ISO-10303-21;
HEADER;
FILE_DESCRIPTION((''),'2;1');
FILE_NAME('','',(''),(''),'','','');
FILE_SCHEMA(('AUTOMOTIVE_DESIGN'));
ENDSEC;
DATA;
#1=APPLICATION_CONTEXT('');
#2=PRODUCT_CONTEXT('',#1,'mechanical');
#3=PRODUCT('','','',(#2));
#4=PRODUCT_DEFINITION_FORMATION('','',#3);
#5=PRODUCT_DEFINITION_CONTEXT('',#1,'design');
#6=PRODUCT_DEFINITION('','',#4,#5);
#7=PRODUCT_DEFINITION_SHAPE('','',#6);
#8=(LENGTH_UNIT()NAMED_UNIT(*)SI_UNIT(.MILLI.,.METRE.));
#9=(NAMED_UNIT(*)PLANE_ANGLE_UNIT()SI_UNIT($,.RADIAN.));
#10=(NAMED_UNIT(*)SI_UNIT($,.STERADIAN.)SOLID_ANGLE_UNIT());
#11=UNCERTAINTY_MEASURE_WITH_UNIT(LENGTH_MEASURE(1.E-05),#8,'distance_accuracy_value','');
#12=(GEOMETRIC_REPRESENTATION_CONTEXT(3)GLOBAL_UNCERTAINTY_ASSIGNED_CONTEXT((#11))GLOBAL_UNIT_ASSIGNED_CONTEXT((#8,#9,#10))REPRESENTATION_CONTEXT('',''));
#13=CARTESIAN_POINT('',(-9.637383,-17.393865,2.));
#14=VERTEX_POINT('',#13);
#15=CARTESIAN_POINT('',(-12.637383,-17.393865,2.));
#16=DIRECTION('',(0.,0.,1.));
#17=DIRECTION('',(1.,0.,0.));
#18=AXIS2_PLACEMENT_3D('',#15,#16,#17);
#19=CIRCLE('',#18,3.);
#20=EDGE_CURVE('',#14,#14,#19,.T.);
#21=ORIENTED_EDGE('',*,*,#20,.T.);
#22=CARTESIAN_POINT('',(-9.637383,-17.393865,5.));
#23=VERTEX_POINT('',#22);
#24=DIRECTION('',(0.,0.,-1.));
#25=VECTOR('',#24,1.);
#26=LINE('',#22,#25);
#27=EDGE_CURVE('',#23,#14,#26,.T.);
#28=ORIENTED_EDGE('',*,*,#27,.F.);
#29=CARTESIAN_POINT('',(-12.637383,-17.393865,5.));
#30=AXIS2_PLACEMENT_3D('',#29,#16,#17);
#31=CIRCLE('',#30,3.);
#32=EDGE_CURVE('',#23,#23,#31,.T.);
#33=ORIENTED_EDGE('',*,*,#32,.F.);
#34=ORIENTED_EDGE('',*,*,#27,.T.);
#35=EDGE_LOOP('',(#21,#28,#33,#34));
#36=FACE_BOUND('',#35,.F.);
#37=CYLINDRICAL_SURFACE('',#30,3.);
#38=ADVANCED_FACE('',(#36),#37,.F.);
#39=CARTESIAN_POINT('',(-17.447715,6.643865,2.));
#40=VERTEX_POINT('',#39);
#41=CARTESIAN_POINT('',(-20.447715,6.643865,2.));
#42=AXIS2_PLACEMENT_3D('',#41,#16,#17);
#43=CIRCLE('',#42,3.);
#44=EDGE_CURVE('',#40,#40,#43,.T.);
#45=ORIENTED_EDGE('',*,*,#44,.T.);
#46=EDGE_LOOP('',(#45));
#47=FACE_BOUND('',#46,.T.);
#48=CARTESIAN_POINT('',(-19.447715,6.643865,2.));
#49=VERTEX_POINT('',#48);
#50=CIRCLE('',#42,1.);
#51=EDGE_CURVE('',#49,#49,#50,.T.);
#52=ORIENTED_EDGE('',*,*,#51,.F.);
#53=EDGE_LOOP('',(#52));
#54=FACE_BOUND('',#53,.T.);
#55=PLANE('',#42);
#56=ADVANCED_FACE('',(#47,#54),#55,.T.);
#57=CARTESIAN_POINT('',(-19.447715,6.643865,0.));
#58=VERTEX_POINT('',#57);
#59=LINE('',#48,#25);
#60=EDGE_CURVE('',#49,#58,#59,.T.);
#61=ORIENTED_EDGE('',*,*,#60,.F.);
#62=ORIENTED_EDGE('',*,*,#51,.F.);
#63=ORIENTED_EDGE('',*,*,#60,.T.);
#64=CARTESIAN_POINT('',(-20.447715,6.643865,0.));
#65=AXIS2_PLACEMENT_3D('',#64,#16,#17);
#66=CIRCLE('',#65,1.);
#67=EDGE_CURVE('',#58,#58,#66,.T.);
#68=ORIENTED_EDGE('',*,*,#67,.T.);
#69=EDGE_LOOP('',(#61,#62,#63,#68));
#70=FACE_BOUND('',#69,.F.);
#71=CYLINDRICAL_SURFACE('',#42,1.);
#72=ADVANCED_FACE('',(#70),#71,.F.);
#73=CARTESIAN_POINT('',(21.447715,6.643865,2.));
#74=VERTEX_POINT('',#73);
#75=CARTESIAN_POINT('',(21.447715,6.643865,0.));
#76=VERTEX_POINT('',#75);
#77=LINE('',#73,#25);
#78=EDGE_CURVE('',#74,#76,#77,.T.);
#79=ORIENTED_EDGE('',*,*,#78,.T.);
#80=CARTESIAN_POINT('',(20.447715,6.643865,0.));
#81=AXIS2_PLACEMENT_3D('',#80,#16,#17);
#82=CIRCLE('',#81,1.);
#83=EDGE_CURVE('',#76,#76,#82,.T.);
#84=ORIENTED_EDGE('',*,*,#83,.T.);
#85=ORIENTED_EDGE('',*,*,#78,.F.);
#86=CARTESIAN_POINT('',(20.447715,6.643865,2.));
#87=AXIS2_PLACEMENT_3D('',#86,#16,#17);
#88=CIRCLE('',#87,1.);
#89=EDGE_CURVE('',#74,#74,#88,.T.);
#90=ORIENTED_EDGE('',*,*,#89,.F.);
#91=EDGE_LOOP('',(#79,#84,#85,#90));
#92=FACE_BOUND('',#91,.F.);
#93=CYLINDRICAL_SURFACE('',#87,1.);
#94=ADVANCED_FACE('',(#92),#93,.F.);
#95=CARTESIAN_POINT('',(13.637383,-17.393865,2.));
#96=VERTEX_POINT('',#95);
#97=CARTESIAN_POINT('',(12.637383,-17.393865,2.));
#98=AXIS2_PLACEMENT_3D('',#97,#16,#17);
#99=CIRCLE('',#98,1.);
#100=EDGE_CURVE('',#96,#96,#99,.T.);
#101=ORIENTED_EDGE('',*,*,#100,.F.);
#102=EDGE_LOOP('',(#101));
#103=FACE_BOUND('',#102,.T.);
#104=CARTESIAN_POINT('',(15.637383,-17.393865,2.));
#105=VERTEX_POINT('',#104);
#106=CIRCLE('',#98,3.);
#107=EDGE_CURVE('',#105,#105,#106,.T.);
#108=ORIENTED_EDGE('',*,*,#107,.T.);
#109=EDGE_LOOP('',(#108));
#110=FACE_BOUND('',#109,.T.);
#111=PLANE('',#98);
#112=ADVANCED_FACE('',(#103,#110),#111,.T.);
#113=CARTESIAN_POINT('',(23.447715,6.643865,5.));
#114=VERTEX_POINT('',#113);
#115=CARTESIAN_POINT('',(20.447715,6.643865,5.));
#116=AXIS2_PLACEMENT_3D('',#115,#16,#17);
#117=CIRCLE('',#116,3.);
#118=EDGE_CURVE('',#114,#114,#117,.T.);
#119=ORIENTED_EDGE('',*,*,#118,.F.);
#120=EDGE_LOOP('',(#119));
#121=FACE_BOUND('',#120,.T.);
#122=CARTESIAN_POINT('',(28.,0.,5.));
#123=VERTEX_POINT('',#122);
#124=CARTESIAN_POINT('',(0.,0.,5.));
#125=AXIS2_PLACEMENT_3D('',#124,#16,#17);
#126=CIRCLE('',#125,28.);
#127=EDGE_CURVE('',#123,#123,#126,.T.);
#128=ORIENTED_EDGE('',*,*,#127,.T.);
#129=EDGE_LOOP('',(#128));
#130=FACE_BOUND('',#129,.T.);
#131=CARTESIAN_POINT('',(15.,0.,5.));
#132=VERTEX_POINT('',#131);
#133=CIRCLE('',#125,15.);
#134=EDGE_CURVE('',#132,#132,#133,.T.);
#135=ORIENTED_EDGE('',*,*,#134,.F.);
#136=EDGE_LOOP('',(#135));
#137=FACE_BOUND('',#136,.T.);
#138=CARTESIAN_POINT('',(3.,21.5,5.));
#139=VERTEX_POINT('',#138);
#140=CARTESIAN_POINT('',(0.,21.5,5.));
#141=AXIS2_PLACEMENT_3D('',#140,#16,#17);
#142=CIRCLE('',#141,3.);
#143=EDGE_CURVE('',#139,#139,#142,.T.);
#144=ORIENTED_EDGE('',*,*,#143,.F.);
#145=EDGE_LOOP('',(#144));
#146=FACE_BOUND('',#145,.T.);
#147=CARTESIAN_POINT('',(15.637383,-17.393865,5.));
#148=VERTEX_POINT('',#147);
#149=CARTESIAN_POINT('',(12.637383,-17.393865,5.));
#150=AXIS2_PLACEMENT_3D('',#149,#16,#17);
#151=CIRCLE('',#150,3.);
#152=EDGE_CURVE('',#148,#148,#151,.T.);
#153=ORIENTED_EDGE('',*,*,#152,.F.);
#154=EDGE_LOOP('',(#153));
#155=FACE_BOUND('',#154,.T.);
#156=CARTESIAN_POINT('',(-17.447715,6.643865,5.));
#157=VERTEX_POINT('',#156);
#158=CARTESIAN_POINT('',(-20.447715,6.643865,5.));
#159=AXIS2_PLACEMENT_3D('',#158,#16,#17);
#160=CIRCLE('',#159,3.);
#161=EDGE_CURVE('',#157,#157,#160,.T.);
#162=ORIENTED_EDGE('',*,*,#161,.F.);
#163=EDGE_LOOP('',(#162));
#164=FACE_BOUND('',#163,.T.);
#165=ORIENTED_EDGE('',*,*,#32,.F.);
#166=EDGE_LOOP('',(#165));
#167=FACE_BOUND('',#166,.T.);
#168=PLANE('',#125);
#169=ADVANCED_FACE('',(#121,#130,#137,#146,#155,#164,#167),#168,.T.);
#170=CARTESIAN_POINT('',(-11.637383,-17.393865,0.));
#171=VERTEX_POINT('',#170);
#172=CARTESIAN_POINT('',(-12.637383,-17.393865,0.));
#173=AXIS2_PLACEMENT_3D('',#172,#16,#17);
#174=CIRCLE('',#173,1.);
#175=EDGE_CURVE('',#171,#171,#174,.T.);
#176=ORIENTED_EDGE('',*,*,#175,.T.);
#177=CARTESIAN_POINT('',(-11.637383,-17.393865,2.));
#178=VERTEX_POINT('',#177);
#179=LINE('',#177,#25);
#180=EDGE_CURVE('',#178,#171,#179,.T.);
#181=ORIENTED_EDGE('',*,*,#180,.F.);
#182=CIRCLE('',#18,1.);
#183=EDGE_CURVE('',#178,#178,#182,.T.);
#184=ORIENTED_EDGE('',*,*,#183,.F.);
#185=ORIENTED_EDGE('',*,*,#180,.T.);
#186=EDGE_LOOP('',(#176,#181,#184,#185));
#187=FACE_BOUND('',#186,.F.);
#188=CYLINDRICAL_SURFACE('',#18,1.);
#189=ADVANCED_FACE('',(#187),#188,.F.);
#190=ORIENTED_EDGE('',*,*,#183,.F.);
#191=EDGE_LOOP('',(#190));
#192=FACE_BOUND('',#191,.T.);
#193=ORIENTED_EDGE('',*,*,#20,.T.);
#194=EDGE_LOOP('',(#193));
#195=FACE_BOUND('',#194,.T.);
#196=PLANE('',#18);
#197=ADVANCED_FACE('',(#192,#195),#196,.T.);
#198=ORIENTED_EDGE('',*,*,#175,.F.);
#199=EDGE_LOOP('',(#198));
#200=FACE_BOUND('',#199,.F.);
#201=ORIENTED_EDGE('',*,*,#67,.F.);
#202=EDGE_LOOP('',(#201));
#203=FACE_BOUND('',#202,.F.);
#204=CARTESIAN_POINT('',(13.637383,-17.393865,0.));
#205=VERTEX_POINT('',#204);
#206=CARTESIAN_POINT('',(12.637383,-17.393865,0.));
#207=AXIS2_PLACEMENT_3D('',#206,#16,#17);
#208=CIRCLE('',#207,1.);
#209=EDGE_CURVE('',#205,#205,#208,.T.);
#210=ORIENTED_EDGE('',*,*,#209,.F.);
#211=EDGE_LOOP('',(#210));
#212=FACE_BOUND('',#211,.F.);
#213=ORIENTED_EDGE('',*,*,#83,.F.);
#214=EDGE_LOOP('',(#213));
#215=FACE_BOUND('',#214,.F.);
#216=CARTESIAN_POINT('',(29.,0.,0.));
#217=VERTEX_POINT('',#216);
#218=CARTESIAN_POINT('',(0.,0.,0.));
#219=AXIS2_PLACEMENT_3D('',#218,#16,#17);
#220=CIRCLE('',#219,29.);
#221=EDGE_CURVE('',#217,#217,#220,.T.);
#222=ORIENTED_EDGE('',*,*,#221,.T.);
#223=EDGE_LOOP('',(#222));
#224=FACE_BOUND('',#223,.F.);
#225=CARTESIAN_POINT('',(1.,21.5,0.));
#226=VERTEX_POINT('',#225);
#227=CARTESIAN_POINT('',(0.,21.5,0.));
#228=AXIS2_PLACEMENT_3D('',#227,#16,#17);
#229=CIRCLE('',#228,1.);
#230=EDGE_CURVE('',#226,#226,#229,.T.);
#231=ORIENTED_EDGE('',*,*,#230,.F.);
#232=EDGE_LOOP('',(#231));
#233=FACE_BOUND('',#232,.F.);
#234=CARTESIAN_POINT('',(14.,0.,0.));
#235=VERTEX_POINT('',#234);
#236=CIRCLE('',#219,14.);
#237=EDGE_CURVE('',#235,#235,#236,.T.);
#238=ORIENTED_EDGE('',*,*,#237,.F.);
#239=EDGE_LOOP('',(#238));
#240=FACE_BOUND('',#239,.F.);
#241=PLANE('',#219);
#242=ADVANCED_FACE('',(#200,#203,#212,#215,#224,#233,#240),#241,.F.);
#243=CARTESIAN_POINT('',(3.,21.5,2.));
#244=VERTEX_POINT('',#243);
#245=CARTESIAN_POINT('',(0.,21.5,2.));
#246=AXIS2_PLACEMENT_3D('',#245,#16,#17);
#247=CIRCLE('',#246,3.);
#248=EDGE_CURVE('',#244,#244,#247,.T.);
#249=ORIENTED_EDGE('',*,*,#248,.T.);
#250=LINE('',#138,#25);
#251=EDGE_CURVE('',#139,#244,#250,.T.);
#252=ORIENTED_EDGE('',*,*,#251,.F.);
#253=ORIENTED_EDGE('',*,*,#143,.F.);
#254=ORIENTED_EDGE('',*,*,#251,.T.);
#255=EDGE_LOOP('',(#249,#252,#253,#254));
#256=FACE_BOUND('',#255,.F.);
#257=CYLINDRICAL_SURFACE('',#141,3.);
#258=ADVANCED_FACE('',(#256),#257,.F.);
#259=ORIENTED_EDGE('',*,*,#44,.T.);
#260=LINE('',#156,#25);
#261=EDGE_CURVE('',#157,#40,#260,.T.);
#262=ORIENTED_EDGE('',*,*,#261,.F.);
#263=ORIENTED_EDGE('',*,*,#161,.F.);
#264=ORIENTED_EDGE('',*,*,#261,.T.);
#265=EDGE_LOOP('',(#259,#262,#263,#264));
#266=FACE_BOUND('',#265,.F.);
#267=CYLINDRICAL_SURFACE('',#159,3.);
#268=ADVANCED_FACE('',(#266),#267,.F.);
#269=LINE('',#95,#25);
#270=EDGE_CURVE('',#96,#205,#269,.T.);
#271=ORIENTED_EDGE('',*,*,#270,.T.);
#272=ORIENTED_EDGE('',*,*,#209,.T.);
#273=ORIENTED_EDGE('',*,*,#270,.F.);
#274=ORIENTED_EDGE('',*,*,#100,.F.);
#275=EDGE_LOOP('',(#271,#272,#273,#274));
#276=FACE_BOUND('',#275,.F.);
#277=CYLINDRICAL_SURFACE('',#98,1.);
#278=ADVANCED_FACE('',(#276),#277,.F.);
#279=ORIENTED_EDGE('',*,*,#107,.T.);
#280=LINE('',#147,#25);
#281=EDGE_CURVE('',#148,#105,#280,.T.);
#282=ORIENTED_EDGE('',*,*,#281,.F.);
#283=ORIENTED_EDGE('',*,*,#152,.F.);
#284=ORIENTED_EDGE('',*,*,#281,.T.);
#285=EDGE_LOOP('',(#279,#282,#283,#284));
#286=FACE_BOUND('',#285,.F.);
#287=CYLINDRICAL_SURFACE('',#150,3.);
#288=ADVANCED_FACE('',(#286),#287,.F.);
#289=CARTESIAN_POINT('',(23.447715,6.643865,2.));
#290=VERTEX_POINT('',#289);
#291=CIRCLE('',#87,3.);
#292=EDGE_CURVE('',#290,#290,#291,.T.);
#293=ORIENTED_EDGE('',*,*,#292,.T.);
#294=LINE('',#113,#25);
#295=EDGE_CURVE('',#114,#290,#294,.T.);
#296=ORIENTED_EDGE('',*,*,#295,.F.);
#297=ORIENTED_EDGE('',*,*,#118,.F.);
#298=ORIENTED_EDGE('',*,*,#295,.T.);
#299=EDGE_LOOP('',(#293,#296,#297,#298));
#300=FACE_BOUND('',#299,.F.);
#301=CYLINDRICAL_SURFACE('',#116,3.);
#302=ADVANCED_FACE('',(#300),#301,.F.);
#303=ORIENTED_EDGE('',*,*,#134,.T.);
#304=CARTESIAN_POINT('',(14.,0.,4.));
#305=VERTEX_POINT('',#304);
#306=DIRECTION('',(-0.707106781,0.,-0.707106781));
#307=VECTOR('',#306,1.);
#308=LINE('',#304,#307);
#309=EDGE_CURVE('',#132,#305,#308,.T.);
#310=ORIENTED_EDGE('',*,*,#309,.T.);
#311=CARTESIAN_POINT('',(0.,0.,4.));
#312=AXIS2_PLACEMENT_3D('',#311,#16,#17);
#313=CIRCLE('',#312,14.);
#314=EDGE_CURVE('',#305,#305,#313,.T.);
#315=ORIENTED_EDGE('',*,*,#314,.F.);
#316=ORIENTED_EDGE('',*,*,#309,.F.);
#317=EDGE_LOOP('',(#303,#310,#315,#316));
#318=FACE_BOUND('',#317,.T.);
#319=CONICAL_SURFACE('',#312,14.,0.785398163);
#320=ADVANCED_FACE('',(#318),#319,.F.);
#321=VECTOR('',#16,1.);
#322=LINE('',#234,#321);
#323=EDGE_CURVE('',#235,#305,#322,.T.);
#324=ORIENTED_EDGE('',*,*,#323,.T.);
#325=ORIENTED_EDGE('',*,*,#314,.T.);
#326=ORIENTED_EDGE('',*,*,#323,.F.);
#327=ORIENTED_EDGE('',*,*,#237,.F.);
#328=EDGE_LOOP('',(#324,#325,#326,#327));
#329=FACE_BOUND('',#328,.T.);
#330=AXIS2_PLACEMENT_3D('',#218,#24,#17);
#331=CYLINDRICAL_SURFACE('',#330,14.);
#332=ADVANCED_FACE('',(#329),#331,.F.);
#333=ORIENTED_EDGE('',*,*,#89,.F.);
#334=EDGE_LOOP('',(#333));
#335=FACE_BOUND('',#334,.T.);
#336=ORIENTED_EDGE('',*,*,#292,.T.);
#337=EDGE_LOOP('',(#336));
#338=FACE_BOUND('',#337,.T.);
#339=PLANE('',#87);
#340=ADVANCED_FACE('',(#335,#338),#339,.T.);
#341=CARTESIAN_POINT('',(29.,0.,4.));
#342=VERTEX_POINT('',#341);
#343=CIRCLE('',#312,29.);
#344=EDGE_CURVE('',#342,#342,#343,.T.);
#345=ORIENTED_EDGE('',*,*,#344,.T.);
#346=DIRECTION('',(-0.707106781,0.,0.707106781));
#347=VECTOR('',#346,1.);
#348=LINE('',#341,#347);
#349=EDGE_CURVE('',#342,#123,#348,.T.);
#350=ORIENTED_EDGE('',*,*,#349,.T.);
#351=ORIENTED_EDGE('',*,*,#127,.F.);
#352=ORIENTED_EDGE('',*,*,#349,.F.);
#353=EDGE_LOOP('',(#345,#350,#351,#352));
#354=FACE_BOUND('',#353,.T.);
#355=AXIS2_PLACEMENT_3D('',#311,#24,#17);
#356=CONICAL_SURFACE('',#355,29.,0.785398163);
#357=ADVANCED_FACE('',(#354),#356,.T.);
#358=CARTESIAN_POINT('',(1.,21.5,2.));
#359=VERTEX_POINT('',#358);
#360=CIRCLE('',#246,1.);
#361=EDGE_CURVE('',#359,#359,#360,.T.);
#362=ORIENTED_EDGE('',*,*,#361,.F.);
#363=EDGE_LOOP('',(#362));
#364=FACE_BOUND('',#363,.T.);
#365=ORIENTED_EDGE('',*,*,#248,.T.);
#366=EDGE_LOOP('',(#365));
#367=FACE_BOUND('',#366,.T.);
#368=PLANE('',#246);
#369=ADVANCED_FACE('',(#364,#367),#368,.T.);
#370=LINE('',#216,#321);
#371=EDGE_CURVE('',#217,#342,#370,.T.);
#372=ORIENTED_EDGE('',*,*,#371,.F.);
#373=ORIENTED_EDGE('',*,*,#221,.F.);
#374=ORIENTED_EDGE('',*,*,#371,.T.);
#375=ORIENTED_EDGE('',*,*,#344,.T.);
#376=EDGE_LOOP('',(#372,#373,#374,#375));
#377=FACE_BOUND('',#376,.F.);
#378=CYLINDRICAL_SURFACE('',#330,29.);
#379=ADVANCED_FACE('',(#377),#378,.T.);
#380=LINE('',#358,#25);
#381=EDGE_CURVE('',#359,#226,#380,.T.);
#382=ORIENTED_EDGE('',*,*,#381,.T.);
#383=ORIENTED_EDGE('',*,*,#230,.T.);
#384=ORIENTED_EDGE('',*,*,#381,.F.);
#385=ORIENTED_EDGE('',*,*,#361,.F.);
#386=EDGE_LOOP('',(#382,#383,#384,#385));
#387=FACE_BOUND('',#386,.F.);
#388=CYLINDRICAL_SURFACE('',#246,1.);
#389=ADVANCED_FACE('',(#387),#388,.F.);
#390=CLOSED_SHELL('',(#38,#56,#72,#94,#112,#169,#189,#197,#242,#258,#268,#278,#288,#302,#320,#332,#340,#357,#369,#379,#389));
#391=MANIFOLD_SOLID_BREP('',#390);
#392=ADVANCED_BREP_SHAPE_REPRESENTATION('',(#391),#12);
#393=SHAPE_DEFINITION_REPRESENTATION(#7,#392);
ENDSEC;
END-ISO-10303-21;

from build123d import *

# Parameters (mm, degrees)
F0_R     = 29
F0_R_2   = 14
F1_DEPTH = 5
F2_R     = 3
F3_DEPTH = 3
F4_R     = 1
F5_DEPTH = 3
F6_SIZE  = 1


with BuildPart() as f1:
    # F0 (on Top) → F1 (new body)
    with BuildSketch(Plane.XY):
        Circle(F0_R)
        Circle(F0_R_2, mode=Mode.SUBTRACT)
    extrude(amount=F1_DEPTH)

    # F2 (on face) → F3 (cut)
    with BuildSketch(Plane.XY.offset(5)):
        with Locations((0, 21.5)):
            Circle(F2_R)
        with Locations((-20.447715, 6.643865)):
            Circle(F2_R)
        with Locations((-12.637383, -17.393865)):
            Circle(F2_R)
        with Locations((12.637383, -17.393865)):
            Circle(F2_R)
        with Locations((20.447715, 6.643865)):
            Circle(F2_R)
    extrude(amount=-F3_DEPTH, mode=Mode.SUBTRACT)

    # F4 (on face) → F5 (cut)
    with BuildSketch(Plane.XY.offset(2)):
        with Locations((0, 21.5)):
            Circle(F4_R)
        with Locations((-20.447715, 6.643865)):
            Circle(F4_R)
        with Locations((-12.637383, -17.393865)):
            Circle(F4_R)
        with Locations((12.637383, -17.393865)):
            Circle(F4_R)
        with Locations((20.447715, 6.643865)):
            Circle(F4_R)
    extrude(amount=-F5_DEPTH, mode=Mode.SUBTRACT)

    # F6
    f6_edges = [f1.edges().sort_by_distance(p)[0] for p in [
        (-29, 0, 5),
        (-14, 0, 5),
    ]]
    chamfer(f6_edges, length=F6_SIZE)


solid = f1.part
